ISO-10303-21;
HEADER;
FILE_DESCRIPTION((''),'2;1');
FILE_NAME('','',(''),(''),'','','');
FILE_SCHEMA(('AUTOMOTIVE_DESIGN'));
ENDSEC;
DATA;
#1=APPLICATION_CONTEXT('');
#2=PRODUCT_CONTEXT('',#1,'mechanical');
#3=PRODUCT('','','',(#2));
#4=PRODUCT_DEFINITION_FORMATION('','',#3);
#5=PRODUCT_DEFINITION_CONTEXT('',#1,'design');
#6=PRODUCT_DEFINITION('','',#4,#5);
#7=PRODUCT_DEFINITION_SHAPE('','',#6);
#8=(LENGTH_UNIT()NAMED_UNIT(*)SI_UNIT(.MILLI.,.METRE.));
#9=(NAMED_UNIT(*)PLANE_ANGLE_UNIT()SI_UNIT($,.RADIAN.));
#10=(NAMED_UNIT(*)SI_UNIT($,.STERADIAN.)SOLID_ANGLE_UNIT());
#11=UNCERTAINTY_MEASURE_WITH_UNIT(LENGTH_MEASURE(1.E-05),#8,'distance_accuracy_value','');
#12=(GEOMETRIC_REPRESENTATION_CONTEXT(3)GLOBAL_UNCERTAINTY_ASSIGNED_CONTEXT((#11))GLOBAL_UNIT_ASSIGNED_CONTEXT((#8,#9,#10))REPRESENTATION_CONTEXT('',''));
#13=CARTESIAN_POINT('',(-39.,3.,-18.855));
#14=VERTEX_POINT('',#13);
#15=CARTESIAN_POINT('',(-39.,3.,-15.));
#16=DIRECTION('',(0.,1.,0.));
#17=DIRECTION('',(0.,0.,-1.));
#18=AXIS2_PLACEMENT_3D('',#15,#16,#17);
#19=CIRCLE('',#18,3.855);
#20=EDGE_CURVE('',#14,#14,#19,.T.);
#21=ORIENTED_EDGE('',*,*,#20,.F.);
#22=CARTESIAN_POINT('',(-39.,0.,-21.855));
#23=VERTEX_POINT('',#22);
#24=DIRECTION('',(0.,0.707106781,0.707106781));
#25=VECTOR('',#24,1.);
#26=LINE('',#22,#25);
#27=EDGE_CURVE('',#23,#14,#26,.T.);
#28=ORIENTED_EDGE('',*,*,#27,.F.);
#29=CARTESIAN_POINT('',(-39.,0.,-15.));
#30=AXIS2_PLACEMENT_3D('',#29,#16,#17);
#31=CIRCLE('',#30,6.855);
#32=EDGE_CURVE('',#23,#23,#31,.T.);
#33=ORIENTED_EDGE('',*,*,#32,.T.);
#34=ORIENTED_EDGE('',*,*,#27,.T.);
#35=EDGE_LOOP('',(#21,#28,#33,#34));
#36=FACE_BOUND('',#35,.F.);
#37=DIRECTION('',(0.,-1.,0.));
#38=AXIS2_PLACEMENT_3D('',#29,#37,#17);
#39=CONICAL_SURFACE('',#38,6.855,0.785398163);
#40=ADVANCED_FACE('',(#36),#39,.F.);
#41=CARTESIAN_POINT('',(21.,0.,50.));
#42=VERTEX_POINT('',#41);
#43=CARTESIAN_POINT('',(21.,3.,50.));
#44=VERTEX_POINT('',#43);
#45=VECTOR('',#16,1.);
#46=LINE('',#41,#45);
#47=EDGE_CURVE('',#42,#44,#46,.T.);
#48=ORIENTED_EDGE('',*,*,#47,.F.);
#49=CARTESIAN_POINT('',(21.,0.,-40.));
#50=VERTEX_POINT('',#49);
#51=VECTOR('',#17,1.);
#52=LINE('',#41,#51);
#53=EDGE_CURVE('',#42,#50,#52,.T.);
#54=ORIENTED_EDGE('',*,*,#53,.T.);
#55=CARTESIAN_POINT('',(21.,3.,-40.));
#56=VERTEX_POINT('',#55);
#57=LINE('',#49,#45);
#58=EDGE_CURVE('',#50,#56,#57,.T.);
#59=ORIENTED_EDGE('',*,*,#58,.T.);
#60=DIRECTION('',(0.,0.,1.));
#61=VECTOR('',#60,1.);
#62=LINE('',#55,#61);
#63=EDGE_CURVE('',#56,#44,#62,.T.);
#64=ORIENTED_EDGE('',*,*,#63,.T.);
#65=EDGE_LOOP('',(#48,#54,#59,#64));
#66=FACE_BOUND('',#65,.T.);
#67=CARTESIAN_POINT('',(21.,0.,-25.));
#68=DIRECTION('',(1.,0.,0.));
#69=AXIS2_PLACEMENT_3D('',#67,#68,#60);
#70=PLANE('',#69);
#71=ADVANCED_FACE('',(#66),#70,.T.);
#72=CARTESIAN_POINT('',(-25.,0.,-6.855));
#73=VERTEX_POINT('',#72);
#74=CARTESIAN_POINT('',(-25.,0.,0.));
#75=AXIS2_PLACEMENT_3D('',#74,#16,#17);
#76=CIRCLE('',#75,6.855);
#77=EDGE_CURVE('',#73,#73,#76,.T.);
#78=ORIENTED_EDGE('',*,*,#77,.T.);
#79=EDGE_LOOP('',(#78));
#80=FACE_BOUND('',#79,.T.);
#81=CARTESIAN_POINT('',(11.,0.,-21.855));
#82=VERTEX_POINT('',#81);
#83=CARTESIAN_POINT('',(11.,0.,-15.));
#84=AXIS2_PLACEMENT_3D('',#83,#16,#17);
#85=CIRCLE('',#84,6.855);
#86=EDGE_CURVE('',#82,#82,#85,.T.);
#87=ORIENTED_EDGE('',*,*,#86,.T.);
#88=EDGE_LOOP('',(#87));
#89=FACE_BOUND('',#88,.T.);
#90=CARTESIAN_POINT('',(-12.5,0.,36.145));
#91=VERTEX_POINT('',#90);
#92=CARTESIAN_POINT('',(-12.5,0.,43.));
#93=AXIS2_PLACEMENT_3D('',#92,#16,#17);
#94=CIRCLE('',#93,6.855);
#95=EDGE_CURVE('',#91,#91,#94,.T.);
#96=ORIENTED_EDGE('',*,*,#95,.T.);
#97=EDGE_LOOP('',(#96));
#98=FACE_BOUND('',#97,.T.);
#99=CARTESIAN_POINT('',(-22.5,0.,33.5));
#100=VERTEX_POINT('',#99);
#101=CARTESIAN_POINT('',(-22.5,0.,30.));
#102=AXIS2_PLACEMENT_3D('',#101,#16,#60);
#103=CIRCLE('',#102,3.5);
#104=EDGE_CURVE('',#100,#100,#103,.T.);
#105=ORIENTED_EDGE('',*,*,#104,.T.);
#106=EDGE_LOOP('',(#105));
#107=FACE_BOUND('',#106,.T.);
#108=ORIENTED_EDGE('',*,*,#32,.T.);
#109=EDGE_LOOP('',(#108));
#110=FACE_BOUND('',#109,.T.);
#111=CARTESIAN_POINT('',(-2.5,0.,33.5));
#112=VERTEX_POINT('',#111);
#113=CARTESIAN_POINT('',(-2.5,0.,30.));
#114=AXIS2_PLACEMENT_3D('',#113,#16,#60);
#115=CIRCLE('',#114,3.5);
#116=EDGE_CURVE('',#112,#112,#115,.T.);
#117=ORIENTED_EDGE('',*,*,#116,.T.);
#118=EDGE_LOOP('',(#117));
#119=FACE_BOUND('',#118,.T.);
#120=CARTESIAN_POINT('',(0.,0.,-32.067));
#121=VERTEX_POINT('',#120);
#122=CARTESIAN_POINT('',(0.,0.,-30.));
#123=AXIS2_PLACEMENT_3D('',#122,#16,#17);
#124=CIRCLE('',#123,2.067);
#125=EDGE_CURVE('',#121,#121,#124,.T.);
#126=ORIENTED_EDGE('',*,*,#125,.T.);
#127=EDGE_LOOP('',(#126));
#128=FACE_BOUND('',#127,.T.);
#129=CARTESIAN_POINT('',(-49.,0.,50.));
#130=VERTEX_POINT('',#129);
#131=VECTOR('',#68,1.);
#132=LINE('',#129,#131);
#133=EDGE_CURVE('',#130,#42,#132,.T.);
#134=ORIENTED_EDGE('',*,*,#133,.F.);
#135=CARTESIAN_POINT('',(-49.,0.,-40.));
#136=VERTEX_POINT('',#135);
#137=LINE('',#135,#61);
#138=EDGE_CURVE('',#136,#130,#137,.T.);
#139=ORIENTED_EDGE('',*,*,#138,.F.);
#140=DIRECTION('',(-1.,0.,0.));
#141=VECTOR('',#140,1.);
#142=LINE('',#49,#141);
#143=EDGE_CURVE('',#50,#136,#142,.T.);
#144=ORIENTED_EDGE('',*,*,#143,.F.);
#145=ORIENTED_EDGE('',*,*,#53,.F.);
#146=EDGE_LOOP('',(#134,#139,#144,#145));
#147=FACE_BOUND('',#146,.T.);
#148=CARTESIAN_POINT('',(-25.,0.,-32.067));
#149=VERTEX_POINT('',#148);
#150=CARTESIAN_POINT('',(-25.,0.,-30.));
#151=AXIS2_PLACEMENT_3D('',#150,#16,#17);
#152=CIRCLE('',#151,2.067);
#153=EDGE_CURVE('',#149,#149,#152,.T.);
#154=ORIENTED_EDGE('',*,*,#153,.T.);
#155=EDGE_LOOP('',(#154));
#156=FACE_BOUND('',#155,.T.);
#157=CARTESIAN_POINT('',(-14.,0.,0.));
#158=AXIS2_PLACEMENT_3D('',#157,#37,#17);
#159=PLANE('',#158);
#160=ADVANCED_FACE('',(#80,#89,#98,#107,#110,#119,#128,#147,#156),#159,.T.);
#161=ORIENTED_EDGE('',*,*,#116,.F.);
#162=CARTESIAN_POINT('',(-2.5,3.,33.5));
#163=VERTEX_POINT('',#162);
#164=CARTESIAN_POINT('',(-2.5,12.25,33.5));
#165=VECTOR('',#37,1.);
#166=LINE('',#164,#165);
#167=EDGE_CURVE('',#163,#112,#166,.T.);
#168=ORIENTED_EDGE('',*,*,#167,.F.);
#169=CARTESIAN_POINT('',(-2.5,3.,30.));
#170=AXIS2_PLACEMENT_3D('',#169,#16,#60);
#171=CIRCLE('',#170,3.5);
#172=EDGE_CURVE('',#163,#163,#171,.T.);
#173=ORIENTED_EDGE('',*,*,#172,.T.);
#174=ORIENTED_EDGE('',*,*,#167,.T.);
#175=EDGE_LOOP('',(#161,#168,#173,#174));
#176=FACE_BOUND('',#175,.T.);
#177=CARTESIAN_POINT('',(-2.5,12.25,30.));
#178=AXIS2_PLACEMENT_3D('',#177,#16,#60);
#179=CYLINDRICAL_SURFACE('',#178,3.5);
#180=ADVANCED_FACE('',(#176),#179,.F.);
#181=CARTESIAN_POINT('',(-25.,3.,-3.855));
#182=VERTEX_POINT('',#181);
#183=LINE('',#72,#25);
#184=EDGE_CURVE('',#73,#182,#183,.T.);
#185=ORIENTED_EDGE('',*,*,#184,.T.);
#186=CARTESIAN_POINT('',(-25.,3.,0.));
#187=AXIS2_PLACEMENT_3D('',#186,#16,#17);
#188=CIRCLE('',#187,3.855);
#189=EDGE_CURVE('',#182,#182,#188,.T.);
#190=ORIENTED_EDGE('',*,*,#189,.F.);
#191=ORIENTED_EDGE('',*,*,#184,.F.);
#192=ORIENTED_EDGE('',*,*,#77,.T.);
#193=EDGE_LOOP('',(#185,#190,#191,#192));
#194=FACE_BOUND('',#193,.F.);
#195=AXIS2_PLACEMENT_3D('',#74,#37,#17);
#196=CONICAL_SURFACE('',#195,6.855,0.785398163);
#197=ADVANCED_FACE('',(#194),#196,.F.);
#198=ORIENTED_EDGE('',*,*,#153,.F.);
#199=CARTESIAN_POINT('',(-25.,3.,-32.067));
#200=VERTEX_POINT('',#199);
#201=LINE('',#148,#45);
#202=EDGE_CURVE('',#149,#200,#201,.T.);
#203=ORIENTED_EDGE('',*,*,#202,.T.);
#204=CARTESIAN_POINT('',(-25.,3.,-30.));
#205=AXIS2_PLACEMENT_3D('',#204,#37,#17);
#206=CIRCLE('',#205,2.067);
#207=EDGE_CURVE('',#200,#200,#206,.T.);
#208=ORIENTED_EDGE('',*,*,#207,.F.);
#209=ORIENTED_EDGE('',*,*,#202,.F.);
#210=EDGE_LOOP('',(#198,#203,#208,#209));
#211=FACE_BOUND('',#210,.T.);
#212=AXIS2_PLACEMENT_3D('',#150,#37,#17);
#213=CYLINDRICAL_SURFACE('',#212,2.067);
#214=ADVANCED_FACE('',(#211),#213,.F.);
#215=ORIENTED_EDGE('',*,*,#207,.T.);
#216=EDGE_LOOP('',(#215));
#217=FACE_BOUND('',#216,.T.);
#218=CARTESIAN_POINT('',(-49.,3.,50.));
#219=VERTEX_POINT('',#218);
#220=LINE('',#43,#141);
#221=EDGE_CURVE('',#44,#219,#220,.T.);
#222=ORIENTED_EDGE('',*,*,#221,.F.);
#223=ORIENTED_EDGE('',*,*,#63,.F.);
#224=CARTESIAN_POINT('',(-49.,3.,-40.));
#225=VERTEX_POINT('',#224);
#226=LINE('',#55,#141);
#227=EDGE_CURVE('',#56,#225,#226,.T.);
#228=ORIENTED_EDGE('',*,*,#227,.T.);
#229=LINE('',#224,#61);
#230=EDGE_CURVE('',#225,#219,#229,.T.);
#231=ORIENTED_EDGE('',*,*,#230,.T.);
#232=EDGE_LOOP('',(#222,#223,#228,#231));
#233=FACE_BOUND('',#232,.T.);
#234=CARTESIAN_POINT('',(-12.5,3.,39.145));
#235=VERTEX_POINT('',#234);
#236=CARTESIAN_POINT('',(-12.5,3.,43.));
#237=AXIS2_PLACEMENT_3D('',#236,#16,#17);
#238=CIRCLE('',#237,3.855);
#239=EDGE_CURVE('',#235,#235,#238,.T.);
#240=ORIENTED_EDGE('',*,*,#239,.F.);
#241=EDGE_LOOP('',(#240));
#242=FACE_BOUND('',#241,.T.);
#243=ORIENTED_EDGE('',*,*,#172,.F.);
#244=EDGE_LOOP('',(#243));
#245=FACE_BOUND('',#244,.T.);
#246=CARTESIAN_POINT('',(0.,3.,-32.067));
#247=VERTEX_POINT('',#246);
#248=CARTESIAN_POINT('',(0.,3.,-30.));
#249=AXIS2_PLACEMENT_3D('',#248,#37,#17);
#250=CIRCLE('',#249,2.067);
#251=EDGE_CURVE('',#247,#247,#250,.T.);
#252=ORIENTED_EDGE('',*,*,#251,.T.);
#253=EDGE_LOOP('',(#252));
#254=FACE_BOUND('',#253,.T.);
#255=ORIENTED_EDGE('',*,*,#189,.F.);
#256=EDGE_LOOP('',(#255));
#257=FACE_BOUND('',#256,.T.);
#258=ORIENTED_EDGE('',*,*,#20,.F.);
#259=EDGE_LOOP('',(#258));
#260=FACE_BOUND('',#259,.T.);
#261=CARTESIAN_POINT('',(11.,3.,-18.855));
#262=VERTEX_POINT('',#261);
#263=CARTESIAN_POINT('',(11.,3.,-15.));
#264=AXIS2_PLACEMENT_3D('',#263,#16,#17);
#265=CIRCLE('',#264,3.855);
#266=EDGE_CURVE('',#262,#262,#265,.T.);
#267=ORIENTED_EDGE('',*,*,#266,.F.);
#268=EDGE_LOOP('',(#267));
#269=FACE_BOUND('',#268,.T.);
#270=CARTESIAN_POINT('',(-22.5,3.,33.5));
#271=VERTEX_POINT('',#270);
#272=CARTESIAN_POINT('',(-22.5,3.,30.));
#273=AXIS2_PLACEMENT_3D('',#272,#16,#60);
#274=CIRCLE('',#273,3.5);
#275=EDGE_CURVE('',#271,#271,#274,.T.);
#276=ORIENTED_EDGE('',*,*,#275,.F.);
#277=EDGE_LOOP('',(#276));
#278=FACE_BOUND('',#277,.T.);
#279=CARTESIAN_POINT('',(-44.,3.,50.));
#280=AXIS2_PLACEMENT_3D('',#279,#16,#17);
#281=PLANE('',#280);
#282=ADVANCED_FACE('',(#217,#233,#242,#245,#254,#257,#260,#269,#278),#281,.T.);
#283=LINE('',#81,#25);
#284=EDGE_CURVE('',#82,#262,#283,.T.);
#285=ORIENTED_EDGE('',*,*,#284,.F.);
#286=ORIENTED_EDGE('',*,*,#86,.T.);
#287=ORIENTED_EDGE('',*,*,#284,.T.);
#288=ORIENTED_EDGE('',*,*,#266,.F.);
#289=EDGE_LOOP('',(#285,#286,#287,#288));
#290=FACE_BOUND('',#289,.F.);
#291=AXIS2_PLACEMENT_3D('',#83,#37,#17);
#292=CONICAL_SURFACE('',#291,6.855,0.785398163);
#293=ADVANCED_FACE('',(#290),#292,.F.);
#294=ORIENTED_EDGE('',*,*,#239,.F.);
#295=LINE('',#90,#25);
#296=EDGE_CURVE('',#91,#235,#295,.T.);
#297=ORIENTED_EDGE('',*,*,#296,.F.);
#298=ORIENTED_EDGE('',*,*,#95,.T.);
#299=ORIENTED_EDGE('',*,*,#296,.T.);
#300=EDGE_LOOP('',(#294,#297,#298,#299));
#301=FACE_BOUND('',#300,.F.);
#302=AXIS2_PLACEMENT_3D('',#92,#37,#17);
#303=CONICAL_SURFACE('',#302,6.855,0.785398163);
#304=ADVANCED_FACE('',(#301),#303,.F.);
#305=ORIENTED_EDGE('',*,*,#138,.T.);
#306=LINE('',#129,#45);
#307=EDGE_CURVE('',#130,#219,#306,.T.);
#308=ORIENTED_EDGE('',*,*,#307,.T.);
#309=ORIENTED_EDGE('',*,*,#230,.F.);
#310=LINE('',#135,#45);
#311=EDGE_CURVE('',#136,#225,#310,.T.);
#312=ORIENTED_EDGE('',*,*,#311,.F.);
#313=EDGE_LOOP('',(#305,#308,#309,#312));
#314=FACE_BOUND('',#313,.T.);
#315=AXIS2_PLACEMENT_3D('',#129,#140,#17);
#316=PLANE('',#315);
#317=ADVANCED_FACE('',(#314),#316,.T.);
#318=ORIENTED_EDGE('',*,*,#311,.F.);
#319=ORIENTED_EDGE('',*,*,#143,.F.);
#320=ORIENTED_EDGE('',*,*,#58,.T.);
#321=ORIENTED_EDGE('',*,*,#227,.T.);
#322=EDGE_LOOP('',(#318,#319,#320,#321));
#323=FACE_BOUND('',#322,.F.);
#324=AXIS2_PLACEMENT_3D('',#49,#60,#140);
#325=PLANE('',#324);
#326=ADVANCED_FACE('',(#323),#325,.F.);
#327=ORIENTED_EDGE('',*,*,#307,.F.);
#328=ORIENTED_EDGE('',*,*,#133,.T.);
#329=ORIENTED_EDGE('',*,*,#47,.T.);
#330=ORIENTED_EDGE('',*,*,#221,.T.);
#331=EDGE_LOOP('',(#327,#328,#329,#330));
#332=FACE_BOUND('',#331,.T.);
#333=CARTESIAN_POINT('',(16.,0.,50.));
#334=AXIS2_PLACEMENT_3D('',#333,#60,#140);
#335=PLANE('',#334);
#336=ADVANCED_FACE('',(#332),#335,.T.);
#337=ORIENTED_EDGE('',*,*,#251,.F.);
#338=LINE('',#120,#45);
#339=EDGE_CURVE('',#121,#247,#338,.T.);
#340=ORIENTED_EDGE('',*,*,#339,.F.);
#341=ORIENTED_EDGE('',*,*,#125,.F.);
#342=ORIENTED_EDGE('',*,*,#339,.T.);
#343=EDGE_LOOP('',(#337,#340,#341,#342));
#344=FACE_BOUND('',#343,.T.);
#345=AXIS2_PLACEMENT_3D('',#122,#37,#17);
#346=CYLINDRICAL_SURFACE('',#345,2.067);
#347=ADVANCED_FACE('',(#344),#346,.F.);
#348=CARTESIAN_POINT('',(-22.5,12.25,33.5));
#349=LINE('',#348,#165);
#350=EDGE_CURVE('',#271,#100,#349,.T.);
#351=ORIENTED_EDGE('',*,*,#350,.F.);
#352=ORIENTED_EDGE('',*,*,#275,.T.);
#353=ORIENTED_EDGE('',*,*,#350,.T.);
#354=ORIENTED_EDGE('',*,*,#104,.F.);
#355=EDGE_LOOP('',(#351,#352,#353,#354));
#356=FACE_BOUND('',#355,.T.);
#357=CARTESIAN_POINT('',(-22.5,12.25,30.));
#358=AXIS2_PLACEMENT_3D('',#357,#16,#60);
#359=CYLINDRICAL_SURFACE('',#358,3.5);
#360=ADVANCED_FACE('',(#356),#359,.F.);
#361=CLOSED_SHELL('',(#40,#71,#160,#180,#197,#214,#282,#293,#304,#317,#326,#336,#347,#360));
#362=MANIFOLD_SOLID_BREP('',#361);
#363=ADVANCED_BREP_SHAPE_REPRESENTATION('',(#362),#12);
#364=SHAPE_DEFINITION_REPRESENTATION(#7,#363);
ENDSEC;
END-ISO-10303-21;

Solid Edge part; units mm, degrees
sketch "Sketch1" plane through (0, 0, 0) normal (0, -1, 0) x (1, 0, 0)
  line L0 (16, 20) -> (-44, 20)
  line L1 (-44, 20) -> (-44, -20)
  line L2 (-44, -20) -> (16, -20)
  line L3 (16, -20) -> (16, 20)
  dimension "D1" = 60
  dimension "D2" = 40
extrude "Protrusion1" add sketch "Sketch1" against normal blind 24.5
sketch "Sketch2" plane through (-14, 24.5, 0) normal (0, 1, 0) x (0, 0, 1)
  line L0 (-16, -24.5) -> (16, -24.5)
  line L1 (16, -24.5) -> (16, 25.5)
  line L2 (16, 25.5) -> (-16, 25.5)
  line L3 (-16, 25.5) -> (-16, -24.5)
  dimension "D1" = 50
  dimension "D2" = 32
  dimension "D3" = 11.5
extrude "VaciadoExtruido_2" cut sketch "Sketch2" against normal blind 10
sketch "Sketch3" plane through (-13.5, 14.5, 0) normal (0, 1, 0) x (0, 0, 1)
  line L0 (-10.5, -19.5) -> (10.5, -19.5)
  line L1 (10.5, -19.5) -> (10.5, 13.5)
  line L2 (10.5, 13.5) -> (-10.5, 13.5)
  line L3 (-10.5, 13.5) -> (-10.5, -19.5)
  dimension "D1" = 33
  dimension "D2" = 21
extrude "VaciadoExtruido_3" cut sketch "Sketch3" against normal blind 3
sketch "Sketch4" plane through (-14, 0, 0) normal (0, -1, 0) x (0, 0, -1)
  line L0 (-20, 30) -> (-50, 30)
  line L1 (-50, 30) -> (-50, -30)
  line L2 (-50, -30) -> (-20, -30)
  dimension "D1" = 30
extrude "Protrusion2" add sketch "Sketch4" against normal up to vertex (12.25 mm away) material side at (15.95, 0, 35)
hole "Agujero_1" at (-25, 12.25, 0) direction (0, -1, 0) diameter 7 end through all
hole "Hole1" at (-2.5, 12.25, 30) direction (0, -1, 0) diameter 7 end through all
hole "Hole2" at (-22.5, 12.25, 30) direction (0, -1, 0) diameter 7 end through all
sketch "Sketch5" plane through (-44, 12.25, 15) normal (-1, 0, 0) x (0, 0, -1)
  line L0 (-35, 9.25) -> (35, 9.25)
  line L1 (35, 9.25) -> (35, -12.25)
  line L2 (35, -12.25) -> (-35, -12.25)
  line L3 (-35, -12.25) -> (-35, 9.25)
  dimension "D1" = 3
extrude "Cutout1" cut sketch "Sketch5" against normal through all
sketch "Sketch6" plane through (-14, 0, 15) normal (0, -1, 0) x (-1, 0, 0)
  line L0 (30, -35) -> (30, 35)
  line L1 (-30, 35) -> (30, 35)
  line L2 (-30, 35) -> (-30, -35)
  line L3 (-35, -35) -> (-30, -35)
  line L4 (-35, 40) -> (-35, -35)
  line L5 (-35, 40) -> (35, 40)
  line L6 (35, -35) -> (35, 40)
  line L7 (30, -35) -> (35, -35)
  dimension "D1" = 5
  dimension "D2" = 5
  dimension "D3" = 5
  dimension "D4" = 5
  dimension "D5" = 5
  dimension "D6" = 75
  dimension "D7" = 70
extrude "Protrusion3" add sketch "Sketch6" against normal up to vertex (3 mm away)
hole "Agujero_4" at (11, 0, -15) direction (0, 1, 0) diameter 7 end through all countersink diameter 13.71 countersink angle 90
hole "Hole3" at (-39, 0, -15) direction (0, 1, 0) diameter 7 end through all countersink diameter 13.71 countersink angle 90
hole "Hole4" at (-12.5, 0, 43) direction (0, 1, 0) diameter 7 end through all countersink diameter 13.71 countersink angle 90
hole "Hole5" at (-25, 0, 0) direction (0, 1, 0) diameter 7 end through all countersink diameter 13.71 countersink angle 90
sketch "Sketch7" plane through (-14, 0, 12.5) normal (0, -1, 0) x (-1, 0, 0)
  line L0 (-35, 52.5) -> (35, 52.5)
  line L1 (35, 52.5) -> (35, 37.5)
  line L2 (-35, 37.5) -> (35, 37.5)
  line L3 (-35, 37.5) -> (-35, 52.5)
extrude "Protrusion4" add sketch "Sketch7" against normal up to vertex (3 mm away)
hole "Agujero_12" at (-25, 0, -30) direction (0, 1, 0) diameter 4.134 end up to next thread major 5 thread length 2
hole "Hole6" at (0, 0, -30) direction (0, 1, 0) diameter 4.134 end up to next thread major 5 thread length 2
